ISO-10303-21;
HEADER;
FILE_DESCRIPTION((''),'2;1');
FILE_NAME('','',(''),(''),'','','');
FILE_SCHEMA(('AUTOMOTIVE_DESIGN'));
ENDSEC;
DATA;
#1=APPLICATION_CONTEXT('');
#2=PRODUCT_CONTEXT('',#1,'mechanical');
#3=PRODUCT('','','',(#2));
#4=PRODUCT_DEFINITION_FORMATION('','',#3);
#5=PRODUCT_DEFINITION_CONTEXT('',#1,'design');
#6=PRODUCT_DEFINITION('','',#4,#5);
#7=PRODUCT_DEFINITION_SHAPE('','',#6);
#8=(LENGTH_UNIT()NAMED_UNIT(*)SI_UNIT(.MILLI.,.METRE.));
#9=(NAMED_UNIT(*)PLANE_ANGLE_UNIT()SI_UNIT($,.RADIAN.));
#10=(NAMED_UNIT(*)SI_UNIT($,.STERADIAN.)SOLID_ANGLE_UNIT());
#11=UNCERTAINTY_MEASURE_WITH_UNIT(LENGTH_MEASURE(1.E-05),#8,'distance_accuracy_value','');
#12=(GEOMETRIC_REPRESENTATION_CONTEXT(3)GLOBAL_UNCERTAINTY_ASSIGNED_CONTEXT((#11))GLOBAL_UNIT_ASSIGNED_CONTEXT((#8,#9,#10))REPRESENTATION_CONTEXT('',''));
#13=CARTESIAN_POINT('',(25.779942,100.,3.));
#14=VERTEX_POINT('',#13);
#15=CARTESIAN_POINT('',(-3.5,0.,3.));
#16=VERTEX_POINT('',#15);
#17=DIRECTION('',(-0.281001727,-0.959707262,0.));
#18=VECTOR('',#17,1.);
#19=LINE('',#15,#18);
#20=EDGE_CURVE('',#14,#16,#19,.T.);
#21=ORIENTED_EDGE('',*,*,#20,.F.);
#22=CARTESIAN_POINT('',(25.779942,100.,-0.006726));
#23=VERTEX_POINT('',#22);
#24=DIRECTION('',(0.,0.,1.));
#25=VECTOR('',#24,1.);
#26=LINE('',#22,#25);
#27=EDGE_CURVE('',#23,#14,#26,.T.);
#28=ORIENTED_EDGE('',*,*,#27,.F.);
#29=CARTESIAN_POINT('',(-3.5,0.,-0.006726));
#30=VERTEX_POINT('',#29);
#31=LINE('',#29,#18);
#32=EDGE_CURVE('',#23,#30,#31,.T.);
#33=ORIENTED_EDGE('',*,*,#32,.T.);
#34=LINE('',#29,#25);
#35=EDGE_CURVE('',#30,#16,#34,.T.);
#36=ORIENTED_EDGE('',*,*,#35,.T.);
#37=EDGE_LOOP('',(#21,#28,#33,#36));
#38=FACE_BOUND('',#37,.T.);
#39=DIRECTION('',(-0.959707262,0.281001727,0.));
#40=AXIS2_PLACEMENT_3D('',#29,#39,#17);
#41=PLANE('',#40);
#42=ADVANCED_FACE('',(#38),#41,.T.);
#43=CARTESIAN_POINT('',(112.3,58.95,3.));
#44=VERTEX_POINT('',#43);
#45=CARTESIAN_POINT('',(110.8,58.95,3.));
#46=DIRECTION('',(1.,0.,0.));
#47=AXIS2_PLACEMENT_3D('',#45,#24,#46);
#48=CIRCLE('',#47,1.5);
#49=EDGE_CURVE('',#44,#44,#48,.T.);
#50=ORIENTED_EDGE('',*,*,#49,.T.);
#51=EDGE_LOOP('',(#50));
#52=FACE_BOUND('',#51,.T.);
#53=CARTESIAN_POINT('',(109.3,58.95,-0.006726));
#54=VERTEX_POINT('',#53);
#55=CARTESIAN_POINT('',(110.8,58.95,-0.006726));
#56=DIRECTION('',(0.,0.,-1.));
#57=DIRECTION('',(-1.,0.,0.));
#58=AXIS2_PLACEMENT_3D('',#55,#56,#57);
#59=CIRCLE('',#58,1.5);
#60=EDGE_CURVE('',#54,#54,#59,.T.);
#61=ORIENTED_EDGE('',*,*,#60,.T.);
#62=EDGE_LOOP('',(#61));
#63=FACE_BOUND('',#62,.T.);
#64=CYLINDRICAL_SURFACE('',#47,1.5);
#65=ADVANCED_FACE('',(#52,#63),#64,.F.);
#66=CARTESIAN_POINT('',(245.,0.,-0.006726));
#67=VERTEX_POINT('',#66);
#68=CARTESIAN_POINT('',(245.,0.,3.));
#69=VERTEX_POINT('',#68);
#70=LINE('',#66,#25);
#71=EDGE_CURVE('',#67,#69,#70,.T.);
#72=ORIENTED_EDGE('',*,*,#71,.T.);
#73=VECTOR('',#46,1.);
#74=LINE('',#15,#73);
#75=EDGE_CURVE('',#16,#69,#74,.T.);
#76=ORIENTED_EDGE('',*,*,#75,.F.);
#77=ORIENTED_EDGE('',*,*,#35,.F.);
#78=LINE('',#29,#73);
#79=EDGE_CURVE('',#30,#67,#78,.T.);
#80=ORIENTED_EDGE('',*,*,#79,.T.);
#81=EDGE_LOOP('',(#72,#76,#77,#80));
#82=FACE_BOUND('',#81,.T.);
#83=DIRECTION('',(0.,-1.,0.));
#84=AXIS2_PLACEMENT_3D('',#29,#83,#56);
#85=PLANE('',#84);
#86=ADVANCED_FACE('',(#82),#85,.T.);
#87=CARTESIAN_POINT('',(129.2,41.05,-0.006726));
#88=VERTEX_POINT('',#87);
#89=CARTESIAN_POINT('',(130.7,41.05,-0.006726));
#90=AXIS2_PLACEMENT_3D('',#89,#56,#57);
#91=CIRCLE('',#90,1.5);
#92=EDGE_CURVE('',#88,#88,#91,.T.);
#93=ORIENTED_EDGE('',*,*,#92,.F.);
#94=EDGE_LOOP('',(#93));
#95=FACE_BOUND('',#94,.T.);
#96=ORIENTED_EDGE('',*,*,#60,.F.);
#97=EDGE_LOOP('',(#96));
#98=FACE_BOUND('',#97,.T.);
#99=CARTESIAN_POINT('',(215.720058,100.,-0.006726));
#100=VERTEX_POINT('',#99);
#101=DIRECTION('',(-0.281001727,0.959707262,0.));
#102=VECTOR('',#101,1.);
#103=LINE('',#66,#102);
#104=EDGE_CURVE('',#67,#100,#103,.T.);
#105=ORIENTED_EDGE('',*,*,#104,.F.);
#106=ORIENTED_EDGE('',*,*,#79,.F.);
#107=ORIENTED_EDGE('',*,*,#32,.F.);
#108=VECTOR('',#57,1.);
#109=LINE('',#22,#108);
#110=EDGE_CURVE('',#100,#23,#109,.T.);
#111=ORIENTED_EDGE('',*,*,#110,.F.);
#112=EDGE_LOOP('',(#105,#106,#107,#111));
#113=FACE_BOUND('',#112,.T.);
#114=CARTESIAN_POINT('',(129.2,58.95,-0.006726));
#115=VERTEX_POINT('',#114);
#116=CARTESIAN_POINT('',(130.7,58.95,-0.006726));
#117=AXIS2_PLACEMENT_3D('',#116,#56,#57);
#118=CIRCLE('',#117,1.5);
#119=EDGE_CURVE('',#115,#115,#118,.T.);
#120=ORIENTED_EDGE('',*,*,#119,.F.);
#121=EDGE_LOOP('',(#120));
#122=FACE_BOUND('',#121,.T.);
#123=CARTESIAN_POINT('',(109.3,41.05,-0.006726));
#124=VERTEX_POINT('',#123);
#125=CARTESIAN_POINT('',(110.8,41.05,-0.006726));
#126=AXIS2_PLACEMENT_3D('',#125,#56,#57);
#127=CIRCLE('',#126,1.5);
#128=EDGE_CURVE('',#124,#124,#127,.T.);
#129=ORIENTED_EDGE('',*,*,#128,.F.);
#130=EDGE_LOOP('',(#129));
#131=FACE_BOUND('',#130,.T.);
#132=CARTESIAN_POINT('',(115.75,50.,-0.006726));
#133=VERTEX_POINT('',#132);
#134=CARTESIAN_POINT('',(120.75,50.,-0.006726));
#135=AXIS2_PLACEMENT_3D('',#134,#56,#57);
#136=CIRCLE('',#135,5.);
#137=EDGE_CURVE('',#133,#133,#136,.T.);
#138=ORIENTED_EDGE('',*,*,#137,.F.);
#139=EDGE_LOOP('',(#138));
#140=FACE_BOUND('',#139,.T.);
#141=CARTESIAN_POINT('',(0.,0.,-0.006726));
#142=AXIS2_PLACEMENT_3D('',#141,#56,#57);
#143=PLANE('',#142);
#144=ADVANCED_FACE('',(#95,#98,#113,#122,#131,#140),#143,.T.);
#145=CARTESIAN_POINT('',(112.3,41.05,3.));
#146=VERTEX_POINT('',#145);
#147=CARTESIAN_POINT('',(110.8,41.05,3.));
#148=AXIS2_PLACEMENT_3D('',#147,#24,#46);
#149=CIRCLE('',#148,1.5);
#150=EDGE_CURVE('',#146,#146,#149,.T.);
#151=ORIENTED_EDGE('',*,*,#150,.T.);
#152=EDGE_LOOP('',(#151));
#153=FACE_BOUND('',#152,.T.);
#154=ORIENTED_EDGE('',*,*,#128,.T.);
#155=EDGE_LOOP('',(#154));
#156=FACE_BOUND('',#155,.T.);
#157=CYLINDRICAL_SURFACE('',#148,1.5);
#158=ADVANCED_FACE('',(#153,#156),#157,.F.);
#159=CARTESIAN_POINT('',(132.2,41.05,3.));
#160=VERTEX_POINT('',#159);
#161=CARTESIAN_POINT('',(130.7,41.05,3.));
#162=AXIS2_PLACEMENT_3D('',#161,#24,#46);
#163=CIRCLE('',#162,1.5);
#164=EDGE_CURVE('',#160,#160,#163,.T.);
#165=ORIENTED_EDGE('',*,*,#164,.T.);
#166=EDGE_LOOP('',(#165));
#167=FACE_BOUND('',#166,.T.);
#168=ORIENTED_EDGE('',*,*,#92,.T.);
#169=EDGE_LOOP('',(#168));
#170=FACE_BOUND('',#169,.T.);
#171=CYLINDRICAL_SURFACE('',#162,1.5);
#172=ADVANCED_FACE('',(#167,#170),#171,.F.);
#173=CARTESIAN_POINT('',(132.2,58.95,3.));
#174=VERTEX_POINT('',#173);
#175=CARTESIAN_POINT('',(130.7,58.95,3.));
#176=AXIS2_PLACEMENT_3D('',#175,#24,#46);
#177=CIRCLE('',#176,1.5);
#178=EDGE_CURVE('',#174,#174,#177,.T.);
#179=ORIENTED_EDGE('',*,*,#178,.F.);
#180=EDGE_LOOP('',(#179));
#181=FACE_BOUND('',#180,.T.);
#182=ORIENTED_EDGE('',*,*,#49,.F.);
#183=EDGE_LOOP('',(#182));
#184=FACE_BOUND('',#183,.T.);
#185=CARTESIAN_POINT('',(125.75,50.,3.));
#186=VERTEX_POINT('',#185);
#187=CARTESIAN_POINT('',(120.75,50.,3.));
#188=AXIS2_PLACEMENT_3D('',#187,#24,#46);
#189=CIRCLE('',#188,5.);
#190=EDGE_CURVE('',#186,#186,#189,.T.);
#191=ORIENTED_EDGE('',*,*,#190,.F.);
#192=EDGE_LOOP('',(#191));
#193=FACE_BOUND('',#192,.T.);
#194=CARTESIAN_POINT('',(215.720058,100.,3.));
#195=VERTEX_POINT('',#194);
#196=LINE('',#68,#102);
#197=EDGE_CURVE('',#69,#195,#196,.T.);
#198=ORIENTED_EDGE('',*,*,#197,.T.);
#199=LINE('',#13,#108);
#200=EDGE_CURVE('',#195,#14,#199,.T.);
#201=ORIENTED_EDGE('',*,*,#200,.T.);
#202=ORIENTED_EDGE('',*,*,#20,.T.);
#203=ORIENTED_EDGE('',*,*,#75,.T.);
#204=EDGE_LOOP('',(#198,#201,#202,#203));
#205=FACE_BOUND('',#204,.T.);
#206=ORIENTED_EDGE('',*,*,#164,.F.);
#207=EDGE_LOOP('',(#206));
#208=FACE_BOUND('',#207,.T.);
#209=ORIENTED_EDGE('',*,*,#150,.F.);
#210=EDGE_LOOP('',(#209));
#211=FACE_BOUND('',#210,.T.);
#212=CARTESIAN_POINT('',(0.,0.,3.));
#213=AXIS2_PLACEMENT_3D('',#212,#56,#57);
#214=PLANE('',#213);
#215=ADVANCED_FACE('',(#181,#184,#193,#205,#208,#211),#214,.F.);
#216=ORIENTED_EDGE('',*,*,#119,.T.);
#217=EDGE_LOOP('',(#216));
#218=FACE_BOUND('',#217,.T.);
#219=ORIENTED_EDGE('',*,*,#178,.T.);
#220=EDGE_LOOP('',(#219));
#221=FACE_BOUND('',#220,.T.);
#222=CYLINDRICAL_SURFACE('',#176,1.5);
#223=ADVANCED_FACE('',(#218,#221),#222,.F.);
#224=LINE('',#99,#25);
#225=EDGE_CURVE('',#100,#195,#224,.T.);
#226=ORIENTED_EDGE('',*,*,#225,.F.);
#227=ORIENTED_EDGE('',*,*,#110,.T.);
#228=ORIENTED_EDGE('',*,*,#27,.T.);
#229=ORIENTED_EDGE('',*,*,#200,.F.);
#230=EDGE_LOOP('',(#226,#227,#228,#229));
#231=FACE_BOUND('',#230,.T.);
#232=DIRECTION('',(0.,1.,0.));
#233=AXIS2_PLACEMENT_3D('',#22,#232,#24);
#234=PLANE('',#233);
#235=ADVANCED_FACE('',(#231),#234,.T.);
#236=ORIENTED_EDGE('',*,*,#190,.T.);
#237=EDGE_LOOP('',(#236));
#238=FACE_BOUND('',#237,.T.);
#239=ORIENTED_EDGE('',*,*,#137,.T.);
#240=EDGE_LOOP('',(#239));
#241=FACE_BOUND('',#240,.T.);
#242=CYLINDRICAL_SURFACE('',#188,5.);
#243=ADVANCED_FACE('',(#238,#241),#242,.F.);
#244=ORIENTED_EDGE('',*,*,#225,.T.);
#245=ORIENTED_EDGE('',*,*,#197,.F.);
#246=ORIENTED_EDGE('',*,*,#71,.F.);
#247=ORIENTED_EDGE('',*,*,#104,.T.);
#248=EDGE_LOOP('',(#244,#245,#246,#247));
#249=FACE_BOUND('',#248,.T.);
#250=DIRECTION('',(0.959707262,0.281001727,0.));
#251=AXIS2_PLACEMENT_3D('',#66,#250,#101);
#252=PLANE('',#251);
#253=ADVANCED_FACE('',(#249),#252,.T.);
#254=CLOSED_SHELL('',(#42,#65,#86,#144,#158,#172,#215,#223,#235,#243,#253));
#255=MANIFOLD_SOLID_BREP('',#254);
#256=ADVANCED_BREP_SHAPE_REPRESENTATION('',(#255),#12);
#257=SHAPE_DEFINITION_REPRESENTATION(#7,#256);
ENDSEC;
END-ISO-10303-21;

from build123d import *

# Parameters (mm, degrees)
BOSS_EXTRUDE1_DEPTH        = 3
BOSS_EXTRUDE1_DEPTH_BACK   = 0.006725904
F_10_0MM_DOWEL_HOLE1_D     = 10
F_10_0MM_DOWEL_HOLE1_DEPTH = 3.006725904
F_3_0MM_DOWEL_HOLE1_D      = 3
F_3_0MM_DOWEL_HOLE1_DEPTH  = 3.006725904


with BuildPart() as part:
    # Sketch1 → Boss-Extrude1 (new body, two sides)
    with BuildSketch(Plane.XY) as boss_extrude1_sk:
        Polygon((-3.5, 0), (245, 0), (215.720058283, 100), (25.779941717, 100), align=None)
    extrude(amount=BOSS_EXTRUDE1_DEPTH)
    extrude(boss_extrude1_sk.sketch, amount=-BOSS_EXTRUDE1_DEPTH_BACK)

    # Ø10.0mm Dowel Hole1
    with Locations(Plane.XY.offset(3)):
        with Locations((120.75, 50)):
            Hole(F_10_0MM_DOWEL_HOLE1_D / 2, depth=F_10_0MM_DOWEL_HOLE1_DEPTH)

    # Ø3.0mm Dowel Hole1
    with Locations(Plane.XY.offset(3)):
        with Locations((110.8, 58.95), (130.7, 58.95), (130.7, 41.05), (110.8, 41.05)):
            Hole(F_3_0MM_DOWEL_HOLE1_D / 2, depth=F_3_0MM_DOWEL_HOLE1_DEPTH)


solid = part.part
